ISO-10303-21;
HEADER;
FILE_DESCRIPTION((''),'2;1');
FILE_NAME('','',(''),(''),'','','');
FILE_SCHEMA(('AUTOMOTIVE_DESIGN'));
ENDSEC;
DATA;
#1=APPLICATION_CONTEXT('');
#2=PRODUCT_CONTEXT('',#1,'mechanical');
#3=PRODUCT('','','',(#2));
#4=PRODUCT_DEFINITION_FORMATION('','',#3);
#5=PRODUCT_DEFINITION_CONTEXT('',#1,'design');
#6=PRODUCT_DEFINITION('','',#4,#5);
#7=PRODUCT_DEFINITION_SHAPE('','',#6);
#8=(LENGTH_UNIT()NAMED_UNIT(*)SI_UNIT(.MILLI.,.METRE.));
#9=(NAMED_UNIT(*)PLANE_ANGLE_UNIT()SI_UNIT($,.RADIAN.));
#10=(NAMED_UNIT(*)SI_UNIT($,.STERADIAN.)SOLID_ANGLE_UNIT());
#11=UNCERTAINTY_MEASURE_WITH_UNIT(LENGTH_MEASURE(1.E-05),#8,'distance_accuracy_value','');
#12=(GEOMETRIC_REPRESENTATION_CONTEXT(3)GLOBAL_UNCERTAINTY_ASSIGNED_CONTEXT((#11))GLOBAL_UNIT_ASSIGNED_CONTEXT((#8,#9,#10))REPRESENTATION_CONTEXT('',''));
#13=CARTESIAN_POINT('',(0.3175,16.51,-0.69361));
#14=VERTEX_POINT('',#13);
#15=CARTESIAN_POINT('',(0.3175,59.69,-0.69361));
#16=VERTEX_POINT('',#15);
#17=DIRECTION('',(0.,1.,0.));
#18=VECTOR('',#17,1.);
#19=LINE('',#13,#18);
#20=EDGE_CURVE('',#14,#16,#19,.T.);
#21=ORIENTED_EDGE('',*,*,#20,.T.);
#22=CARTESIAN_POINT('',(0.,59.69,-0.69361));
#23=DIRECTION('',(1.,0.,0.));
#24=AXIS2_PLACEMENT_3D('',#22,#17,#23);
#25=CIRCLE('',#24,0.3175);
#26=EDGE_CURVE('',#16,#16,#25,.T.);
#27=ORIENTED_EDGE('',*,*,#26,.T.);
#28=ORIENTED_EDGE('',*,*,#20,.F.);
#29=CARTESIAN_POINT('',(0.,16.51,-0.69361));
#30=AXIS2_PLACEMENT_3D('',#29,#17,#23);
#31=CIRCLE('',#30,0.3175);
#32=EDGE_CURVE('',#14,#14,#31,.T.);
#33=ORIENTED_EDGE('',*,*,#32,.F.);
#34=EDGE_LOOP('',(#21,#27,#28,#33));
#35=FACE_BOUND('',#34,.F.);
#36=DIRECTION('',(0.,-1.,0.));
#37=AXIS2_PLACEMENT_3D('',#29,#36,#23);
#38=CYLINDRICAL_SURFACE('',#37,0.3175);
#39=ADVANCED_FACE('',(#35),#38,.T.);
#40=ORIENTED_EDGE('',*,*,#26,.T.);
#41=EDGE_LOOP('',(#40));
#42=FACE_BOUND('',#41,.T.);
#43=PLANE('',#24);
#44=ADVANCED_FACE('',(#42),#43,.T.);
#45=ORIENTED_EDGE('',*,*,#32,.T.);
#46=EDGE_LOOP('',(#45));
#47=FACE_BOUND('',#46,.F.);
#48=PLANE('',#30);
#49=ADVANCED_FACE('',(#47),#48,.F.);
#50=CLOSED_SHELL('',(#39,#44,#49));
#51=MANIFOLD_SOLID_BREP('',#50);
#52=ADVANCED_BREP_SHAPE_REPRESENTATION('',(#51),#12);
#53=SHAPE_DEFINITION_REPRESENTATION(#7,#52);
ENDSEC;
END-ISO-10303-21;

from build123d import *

# Parameters (mm, degrees)
SKETCH6_R           = 0.3175
BOSS_EXTRUDE1_DEPTH = 43.18


with BuildPart() as part:
    # Sketch6 → Boss-Extrude1 (new body)
    with BuildSketch(Plane(origin=(0, 16.51, 0), x_dir=(1, 0, 0), z_dir=(0, 1, 0))):
        with Locations((0, 0.693610213)):
            Circle(SKETCH6_R)
    extrude(amount=BOSS_EXTRUDE1_DEPTH)


solid = part.part
